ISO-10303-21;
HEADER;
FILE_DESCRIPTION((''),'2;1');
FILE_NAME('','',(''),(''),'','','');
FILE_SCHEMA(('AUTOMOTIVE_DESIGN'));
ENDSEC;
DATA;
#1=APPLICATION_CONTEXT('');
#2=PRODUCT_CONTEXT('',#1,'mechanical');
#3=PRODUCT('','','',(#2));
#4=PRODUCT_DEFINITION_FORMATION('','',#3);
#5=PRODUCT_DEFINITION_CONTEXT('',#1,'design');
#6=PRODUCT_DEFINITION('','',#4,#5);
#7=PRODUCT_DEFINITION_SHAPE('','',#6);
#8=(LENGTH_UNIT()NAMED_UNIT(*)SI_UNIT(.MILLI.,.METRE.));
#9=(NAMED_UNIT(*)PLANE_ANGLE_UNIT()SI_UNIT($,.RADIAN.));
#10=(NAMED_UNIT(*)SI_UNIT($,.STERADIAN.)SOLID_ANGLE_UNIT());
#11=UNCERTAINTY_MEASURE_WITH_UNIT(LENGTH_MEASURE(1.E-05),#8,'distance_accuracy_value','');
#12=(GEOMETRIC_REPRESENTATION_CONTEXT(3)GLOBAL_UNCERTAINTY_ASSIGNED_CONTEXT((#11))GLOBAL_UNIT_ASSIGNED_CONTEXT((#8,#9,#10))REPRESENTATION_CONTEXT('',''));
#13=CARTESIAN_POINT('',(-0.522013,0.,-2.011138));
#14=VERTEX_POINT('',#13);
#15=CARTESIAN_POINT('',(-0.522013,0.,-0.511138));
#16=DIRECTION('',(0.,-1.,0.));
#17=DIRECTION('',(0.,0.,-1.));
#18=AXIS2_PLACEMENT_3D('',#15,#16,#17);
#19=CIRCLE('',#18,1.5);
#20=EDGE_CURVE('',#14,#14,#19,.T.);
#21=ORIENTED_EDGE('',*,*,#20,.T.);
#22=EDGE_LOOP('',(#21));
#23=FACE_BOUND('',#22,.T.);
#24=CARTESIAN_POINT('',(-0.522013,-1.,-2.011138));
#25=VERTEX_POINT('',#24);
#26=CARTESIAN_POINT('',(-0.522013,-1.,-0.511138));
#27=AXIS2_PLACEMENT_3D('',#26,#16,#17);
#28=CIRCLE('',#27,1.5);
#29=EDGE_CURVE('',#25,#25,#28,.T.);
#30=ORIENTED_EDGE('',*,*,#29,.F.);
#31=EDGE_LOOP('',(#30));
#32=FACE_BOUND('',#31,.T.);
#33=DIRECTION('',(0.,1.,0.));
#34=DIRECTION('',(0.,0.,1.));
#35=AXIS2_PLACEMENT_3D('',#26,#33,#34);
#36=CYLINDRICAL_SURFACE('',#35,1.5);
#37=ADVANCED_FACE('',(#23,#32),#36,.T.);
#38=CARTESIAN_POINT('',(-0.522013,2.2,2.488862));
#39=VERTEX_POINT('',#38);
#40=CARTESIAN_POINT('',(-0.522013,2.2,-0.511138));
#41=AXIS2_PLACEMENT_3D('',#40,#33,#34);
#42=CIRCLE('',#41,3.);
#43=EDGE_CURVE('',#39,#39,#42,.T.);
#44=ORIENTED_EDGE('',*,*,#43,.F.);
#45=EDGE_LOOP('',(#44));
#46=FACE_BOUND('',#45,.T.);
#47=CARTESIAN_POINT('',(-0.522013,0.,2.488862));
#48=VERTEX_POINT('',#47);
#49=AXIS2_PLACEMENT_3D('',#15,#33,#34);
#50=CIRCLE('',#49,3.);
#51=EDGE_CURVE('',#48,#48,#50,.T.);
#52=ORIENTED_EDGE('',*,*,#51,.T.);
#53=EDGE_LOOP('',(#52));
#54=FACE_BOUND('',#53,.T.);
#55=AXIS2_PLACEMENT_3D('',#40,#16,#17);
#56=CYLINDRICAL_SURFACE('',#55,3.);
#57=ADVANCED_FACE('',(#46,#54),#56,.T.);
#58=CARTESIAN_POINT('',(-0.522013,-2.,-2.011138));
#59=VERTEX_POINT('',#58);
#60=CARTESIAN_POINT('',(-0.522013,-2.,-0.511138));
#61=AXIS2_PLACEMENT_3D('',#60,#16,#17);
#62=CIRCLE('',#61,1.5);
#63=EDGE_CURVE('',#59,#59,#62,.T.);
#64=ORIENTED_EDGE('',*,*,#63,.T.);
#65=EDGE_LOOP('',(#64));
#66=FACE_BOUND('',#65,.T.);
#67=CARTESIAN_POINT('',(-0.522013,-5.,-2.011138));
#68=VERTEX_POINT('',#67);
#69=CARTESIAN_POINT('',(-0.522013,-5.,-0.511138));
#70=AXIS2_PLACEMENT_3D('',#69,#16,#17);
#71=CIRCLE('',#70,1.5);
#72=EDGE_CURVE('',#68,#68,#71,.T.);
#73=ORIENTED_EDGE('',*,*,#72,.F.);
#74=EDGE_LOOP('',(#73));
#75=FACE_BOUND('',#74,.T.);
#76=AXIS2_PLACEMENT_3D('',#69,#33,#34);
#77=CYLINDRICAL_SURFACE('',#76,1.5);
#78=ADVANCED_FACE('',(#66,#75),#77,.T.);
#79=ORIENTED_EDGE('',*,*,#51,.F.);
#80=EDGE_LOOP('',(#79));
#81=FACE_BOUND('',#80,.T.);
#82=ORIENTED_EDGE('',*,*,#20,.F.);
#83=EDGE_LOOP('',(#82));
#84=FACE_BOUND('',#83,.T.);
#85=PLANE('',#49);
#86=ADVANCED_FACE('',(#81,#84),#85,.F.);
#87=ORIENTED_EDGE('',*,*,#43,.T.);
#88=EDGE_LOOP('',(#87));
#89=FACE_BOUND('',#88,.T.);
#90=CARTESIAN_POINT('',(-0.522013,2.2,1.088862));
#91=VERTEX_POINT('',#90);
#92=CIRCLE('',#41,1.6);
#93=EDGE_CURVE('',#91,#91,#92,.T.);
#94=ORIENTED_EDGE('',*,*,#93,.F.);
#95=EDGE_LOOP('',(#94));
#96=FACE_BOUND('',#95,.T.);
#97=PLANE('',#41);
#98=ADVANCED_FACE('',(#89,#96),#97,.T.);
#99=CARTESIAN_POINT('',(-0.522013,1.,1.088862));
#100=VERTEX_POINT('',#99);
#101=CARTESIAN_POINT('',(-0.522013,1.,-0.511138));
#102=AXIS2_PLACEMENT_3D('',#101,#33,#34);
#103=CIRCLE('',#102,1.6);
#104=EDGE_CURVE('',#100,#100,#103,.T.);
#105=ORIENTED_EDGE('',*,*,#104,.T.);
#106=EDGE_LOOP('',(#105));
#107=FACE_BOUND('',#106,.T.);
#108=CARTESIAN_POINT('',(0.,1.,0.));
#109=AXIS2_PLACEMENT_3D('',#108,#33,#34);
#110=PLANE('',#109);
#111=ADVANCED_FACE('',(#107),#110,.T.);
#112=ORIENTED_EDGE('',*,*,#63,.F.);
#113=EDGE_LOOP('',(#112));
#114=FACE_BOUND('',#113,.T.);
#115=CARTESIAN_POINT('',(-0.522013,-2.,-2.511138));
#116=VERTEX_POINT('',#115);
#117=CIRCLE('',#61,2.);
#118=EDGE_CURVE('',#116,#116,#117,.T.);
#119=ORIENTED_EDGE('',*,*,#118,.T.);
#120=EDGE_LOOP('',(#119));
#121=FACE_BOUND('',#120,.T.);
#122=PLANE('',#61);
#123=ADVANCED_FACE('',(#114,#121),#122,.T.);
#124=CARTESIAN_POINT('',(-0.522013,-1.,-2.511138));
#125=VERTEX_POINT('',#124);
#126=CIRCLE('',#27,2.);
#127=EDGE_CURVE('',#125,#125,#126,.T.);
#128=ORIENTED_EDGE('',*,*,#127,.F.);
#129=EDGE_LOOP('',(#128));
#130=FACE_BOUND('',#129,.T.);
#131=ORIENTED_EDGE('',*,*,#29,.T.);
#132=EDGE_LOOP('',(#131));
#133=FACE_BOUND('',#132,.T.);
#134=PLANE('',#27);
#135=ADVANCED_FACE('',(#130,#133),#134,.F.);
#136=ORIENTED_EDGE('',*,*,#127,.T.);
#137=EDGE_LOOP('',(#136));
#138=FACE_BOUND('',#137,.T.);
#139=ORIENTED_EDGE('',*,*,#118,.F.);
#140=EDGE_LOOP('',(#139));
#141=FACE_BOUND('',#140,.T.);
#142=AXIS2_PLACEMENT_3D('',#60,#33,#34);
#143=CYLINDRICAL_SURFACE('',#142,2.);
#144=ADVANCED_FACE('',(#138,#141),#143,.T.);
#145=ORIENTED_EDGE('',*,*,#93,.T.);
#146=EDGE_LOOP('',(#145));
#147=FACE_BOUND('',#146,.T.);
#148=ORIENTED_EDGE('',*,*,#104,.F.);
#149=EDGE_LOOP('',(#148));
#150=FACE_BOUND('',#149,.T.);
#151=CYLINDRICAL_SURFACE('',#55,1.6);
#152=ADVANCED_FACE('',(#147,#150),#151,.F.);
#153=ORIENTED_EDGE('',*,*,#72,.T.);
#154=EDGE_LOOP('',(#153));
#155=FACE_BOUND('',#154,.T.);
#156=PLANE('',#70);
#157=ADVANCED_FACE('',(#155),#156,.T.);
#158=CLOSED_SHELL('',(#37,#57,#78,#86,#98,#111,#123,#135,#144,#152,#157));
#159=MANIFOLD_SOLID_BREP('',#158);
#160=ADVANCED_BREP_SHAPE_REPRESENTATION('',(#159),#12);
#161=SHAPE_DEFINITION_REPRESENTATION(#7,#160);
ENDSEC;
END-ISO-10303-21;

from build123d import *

# Parameters (mm, degrees)
SKETCH1_R           = 3
SKETCH1_R_2         = 1.6
BOSS_EXTRUDE1_DEPTH = 2.2
SKETCH1_3_R         = 1.6
BOSS_EXTRUDE2_DEPTH = 1
SKETCH5_R           = 1.5
BOSS_EXTRUDE3_DEPTH = 1
SKETCH6_R           = 2
BOSS_EXTRUDE4_DEPTH = 1
SKETCH8_R           = 1.5
BOSS_EXTRUDE5_DEPTH = 3


with BuildPart() as part:
    # Sketch1 → Boss-Extrude1 (new body)
    with BuildSketch(Plane(origin=(0, 0, 0), x_dir=(1, 0, 0), z_dir=(0, 1, 0))):
        with Locations((-0.522013312, 0.511138034)):
            Circle(SKETCH1_R)
        with Locations((-0.522013312, 0.511138034)):
            Circle(SKETCH1_R_2, mode=Mode.SUBTRACT)
    extrude(amount=BOSS_EXTRUDE1_DEPTH)

    # Sketch1<3> → Boss-Extrude2 (add)
    with BuildSketch(Plane(origin=(0, 0, 0), x_dir=(1, 0, 0), z_dir=(0, 1, 0))):
        with Locations((-0.522013312, 0.511138034)):
            Circle(SKETCH1_3_R)
    extrude(amount=BOSS_EXTRUDE2_DEPTH)

    # Sketch5 → Boss-Extrude3 (add)
    with BuildSketch(Plane.XZ):
        with Locations((-0.522013312, -0.511138034)):
            Circle(SKETCH5_R)
    extrude(amount=BOSS_EXTRUDE3_DEPTH)

    # Sketch6 → Boss-Extrude4 (add)
    with BuildSketch(Plane.XZ.offset(1)):
        with Locations((-0.522013312, -0.511138034)):
            Circle(SKETCH6_R)
    extrude(amount=BOSS_EXTRUDE4_DEPTH)

    # Sketch8 → Boss-Extrude5 (add)
    with BuildSketch(Plane(origin=(0, -2, 0), x_dir=(-1, 0, 0), z_dir=(0, -1, 0))):
        with Locations((0.522013312, 0.511138034)):
            Circle(SKETCH8_R)
    extrude(amount=BOSS_EXTRUDE5_DEPTH)


solid = part.part
